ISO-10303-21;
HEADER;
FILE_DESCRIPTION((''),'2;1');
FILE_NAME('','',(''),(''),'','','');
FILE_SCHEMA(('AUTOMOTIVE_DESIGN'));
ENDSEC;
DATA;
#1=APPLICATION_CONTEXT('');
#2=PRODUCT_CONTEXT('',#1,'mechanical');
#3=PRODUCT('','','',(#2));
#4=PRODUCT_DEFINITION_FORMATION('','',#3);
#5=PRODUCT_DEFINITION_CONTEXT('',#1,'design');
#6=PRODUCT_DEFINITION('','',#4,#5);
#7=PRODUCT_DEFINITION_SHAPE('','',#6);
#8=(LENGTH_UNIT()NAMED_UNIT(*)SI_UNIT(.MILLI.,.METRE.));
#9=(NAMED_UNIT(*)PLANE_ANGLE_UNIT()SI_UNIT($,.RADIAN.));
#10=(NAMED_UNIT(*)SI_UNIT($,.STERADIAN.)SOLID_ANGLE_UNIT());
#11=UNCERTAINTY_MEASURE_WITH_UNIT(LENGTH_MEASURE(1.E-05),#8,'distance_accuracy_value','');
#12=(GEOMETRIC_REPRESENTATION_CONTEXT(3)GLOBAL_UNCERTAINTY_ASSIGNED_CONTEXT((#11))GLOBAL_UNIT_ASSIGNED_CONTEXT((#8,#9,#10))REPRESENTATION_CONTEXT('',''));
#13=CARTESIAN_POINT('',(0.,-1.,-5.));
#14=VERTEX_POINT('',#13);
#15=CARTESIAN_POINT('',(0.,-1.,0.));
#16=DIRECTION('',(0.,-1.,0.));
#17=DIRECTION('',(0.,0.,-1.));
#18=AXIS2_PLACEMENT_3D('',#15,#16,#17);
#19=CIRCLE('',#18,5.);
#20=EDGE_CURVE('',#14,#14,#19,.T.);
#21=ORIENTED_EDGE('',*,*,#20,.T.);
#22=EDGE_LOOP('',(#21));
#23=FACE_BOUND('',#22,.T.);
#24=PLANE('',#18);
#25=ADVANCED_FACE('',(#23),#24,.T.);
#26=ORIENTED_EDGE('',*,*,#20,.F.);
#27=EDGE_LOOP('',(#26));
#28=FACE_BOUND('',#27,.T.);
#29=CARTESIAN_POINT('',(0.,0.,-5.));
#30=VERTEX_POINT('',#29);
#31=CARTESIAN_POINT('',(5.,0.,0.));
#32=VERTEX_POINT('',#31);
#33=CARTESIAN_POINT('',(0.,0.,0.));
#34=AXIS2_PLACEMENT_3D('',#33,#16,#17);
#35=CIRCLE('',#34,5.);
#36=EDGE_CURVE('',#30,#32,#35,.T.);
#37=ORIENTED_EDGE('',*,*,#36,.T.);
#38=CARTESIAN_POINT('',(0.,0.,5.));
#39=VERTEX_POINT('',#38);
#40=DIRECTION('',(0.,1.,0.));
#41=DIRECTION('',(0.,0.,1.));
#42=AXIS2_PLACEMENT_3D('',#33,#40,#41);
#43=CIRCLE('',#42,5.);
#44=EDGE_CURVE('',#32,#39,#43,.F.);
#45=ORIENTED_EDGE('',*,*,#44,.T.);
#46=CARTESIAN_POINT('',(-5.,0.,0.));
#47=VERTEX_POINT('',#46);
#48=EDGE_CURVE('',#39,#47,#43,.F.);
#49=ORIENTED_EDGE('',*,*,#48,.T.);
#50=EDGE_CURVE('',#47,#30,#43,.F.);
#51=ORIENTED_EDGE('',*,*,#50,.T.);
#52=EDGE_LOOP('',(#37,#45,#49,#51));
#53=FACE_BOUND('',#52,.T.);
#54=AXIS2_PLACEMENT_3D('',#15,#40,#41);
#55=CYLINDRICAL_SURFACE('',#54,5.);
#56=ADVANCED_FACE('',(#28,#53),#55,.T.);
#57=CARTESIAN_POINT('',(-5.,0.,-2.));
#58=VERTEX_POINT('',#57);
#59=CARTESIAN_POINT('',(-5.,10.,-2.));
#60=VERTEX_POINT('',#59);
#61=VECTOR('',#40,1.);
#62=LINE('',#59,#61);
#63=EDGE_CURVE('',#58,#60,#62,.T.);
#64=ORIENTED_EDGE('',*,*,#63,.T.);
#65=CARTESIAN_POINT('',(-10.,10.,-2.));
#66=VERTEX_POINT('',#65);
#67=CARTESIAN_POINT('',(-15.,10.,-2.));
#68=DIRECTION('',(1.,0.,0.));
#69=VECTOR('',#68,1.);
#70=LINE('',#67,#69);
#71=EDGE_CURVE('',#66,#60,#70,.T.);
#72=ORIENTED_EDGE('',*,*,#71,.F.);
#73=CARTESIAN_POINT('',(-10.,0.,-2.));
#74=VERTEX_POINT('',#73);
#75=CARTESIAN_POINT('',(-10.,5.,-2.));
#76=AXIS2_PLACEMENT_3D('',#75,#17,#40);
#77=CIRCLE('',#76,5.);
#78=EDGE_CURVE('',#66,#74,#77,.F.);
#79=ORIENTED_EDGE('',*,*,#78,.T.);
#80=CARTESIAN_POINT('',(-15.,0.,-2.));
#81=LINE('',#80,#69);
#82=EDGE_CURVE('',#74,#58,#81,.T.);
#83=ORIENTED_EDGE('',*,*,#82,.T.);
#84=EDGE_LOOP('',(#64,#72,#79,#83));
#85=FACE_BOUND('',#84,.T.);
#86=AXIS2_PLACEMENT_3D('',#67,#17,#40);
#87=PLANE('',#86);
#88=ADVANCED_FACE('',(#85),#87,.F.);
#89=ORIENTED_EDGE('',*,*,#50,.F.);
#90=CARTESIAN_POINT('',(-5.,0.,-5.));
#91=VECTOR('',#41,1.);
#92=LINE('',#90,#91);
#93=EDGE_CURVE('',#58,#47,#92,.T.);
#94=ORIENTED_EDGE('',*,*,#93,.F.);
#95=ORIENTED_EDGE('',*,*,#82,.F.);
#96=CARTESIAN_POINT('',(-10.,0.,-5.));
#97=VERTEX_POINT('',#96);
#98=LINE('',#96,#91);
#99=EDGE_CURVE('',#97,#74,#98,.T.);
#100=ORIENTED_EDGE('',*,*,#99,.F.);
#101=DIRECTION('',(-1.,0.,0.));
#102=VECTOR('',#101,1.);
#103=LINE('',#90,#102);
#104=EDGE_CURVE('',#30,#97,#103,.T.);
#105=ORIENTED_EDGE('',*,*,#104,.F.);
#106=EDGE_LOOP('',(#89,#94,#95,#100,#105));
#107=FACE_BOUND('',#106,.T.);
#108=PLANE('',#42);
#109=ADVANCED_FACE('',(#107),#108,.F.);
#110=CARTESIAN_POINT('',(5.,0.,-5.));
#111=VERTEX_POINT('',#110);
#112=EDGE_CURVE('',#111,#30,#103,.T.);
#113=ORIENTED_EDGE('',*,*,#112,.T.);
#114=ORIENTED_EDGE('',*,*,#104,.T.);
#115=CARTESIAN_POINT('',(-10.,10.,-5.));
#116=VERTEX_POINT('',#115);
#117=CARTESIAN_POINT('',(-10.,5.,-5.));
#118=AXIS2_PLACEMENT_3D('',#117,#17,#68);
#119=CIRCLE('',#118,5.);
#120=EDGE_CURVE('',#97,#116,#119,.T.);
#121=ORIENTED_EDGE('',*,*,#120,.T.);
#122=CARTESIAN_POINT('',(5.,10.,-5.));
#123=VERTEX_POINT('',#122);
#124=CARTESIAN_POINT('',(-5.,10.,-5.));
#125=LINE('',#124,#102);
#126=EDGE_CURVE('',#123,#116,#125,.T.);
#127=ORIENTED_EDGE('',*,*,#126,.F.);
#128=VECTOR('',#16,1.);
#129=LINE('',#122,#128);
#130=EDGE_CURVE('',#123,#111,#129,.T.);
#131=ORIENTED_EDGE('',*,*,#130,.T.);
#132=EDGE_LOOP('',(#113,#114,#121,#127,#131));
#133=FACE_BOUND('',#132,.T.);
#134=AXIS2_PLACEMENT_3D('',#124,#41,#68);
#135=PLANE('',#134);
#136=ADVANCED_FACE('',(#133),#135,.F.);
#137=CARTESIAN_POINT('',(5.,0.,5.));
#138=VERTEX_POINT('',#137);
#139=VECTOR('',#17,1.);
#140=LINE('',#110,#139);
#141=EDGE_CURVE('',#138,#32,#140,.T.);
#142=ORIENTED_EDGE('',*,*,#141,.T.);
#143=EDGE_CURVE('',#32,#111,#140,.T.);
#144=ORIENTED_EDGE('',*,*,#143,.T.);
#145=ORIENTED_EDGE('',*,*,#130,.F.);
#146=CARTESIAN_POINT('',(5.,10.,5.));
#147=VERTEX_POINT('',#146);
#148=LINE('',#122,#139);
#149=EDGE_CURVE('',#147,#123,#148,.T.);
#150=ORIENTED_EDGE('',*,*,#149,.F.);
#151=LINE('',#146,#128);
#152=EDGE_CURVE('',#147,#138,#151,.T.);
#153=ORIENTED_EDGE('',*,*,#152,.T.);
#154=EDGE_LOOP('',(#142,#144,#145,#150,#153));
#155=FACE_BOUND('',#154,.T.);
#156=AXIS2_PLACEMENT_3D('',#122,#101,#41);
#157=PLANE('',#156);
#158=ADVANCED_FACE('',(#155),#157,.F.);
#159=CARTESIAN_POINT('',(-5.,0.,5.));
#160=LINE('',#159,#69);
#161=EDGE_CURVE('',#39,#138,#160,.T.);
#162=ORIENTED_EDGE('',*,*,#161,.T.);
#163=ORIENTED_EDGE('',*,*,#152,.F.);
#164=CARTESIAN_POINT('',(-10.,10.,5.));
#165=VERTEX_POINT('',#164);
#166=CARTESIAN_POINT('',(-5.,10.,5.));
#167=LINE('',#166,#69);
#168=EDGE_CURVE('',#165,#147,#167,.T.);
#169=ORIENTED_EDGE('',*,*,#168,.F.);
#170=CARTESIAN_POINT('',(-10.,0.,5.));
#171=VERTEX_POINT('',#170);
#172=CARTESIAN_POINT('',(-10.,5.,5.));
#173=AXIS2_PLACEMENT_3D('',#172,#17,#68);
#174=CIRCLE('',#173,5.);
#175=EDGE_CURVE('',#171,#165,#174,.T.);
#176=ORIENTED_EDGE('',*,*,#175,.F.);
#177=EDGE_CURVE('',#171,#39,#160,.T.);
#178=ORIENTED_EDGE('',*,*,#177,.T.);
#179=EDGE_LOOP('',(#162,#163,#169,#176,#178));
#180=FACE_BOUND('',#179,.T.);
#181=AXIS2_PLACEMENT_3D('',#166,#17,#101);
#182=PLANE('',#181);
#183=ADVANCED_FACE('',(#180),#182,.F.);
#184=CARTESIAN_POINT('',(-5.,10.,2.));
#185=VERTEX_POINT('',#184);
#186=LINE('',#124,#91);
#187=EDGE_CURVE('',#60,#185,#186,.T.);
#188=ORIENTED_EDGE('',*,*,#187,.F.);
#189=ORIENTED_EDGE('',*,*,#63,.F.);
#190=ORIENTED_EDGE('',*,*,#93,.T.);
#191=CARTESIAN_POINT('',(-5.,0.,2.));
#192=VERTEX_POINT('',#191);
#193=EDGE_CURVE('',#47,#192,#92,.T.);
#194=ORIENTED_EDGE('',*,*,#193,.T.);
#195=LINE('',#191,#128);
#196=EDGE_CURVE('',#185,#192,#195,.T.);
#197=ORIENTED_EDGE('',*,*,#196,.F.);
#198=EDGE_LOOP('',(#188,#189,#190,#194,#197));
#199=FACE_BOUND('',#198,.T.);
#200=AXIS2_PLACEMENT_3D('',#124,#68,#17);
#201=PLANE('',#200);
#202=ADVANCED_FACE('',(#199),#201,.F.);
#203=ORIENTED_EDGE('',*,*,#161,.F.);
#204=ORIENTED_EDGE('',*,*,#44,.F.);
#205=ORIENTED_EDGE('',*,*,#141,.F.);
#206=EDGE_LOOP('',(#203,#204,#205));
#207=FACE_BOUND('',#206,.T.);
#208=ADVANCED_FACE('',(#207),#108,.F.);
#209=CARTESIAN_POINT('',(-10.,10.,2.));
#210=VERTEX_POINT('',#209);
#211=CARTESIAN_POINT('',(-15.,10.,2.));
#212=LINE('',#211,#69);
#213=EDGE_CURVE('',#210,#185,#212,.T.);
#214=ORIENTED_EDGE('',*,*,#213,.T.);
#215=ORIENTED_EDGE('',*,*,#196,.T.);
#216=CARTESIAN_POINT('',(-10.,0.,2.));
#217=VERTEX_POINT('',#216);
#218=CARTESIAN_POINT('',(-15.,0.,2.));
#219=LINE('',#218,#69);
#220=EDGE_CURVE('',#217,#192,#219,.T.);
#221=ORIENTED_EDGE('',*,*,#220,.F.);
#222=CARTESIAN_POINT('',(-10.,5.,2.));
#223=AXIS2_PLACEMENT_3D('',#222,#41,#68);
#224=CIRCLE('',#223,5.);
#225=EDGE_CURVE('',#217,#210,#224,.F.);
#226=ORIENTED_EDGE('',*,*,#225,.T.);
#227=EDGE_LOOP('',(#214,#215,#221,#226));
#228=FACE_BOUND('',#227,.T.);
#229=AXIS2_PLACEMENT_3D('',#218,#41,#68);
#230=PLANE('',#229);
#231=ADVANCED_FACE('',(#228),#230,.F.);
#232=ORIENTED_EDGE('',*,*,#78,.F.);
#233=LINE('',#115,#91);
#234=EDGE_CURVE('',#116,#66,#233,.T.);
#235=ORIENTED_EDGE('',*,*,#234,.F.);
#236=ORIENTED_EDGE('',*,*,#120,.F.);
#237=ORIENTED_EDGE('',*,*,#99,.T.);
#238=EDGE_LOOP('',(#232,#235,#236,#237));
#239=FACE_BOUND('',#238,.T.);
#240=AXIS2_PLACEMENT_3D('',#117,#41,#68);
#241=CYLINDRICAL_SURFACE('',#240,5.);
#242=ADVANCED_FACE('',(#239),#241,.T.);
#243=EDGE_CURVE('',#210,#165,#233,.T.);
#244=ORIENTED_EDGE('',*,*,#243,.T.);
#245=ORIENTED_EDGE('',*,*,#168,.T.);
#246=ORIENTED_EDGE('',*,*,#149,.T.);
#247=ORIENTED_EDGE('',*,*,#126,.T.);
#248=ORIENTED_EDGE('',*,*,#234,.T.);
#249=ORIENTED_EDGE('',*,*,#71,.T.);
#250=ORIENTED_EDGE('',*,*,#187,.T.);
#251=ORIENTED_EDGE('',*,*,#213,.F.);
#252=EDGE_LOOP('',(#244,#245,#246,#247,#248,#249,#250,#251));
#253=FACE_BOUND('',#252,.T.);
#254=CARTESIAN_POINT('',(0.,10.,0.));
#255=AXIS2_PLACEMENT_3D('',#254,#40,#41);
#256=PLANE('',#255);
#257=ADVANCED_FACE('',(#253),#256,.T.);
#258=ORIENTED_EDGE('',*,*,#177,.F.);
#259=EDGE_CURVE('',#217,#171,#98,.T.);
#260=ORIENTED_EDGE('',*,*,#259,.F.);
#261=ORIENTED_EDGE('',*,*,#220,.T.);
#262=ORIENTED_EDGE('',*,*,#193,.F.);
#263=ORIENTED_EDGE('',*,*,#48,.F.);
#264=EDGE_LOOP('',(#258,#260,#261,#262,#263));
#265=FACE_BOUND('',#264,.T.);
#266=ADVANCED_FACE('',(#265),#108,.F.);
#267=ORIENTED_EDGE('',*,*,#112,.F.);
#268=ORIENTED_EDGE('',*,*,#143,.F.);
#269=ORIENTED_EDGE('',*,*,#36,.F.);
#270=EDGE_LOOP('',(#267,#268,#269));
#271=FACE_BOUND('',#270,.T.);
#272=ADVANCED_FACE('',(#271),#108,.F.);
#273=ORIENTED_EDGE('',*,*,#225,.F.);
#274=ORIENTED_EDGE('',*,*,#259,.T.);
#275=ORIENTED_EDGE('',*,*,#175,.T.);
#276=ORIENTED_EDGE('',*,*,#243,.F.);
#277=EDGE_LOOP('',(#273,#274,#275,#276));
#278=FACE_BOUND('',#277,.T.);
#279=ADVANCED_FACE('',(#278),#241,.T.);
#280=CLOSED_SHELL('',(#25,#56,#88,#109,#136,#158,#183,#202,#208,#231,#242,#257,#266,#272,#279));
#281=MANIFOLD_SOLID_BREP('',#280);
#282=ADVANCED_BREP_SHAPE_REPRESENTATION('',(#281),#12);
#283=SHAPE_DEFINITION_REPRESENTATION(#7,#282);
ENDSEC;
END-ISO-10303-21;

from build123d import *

# Parameters (mm, degrees)
SKETCH_1_W          = 10
SKETCH_1_H          = 10
EXTRUDE_1_DEPTH     = 10
SKETCH_2_W          = 3
SKETCH_2_H          = 10
EXTRUDE_2_DEPTH     = 10
CUT_EXTRUDE_1_DEPTH = 10
SKETCH_4_R          = 5
EXTRUDE_3_DEPTH     = 1


with BuildPart() as part:
    # 草图1 → 凸台-拉伸1 (new body)
    with BuildSketch(Plane(origin=(0, 0, 0), x_dir=(1, 0, 0), z_dir=(0, 1, 0))):
        Rectangle(SKETCH_1_W, SKETCH_1_H)
    extrude(amount=EXTRUDE_1_DEPTH)

    # 草图2 → 凸台-拉伸2 (add)
    with BuildSketch(Plane.ZY.offset(5)):
        with Locations((-3.5, 5)):
            Rectangle(SKETCH_2_W, SKETCH_2_H)
        with Locations((3.5, 5)):
            Rectangle(SKETCH_2_W, SKETCH_2_H)
    extrude(amount=EXTRUDE_2_DEPTH)

    # 草图3 → 切除-拉伸1 (cut)
    with BuildSketch(Plane.XY.offset(5)):
        with BuildLine():
            Line((-10, 10), (-17.018915749, 10))
            Line((-17.018915749, 10), (-17.018915749, 0))
            Line((-17.018915749, 0), (-10, 0))
            ThreePointArc((-10, 0), (-15, 5), (-10, 10))
        make_face()
    extrude(amount=-CUT_EXTRUDE_1_DEPTH, mode=Mode.SUBTRACT)

    # 草图4 → 凸台-拉伸3 (add)
    with BuildSketch(Plane.XZ):
        Circle(SKETCH_4_R)
    extrude(amount=EXTRUDE_3_DEPTH)


solid = part.part
